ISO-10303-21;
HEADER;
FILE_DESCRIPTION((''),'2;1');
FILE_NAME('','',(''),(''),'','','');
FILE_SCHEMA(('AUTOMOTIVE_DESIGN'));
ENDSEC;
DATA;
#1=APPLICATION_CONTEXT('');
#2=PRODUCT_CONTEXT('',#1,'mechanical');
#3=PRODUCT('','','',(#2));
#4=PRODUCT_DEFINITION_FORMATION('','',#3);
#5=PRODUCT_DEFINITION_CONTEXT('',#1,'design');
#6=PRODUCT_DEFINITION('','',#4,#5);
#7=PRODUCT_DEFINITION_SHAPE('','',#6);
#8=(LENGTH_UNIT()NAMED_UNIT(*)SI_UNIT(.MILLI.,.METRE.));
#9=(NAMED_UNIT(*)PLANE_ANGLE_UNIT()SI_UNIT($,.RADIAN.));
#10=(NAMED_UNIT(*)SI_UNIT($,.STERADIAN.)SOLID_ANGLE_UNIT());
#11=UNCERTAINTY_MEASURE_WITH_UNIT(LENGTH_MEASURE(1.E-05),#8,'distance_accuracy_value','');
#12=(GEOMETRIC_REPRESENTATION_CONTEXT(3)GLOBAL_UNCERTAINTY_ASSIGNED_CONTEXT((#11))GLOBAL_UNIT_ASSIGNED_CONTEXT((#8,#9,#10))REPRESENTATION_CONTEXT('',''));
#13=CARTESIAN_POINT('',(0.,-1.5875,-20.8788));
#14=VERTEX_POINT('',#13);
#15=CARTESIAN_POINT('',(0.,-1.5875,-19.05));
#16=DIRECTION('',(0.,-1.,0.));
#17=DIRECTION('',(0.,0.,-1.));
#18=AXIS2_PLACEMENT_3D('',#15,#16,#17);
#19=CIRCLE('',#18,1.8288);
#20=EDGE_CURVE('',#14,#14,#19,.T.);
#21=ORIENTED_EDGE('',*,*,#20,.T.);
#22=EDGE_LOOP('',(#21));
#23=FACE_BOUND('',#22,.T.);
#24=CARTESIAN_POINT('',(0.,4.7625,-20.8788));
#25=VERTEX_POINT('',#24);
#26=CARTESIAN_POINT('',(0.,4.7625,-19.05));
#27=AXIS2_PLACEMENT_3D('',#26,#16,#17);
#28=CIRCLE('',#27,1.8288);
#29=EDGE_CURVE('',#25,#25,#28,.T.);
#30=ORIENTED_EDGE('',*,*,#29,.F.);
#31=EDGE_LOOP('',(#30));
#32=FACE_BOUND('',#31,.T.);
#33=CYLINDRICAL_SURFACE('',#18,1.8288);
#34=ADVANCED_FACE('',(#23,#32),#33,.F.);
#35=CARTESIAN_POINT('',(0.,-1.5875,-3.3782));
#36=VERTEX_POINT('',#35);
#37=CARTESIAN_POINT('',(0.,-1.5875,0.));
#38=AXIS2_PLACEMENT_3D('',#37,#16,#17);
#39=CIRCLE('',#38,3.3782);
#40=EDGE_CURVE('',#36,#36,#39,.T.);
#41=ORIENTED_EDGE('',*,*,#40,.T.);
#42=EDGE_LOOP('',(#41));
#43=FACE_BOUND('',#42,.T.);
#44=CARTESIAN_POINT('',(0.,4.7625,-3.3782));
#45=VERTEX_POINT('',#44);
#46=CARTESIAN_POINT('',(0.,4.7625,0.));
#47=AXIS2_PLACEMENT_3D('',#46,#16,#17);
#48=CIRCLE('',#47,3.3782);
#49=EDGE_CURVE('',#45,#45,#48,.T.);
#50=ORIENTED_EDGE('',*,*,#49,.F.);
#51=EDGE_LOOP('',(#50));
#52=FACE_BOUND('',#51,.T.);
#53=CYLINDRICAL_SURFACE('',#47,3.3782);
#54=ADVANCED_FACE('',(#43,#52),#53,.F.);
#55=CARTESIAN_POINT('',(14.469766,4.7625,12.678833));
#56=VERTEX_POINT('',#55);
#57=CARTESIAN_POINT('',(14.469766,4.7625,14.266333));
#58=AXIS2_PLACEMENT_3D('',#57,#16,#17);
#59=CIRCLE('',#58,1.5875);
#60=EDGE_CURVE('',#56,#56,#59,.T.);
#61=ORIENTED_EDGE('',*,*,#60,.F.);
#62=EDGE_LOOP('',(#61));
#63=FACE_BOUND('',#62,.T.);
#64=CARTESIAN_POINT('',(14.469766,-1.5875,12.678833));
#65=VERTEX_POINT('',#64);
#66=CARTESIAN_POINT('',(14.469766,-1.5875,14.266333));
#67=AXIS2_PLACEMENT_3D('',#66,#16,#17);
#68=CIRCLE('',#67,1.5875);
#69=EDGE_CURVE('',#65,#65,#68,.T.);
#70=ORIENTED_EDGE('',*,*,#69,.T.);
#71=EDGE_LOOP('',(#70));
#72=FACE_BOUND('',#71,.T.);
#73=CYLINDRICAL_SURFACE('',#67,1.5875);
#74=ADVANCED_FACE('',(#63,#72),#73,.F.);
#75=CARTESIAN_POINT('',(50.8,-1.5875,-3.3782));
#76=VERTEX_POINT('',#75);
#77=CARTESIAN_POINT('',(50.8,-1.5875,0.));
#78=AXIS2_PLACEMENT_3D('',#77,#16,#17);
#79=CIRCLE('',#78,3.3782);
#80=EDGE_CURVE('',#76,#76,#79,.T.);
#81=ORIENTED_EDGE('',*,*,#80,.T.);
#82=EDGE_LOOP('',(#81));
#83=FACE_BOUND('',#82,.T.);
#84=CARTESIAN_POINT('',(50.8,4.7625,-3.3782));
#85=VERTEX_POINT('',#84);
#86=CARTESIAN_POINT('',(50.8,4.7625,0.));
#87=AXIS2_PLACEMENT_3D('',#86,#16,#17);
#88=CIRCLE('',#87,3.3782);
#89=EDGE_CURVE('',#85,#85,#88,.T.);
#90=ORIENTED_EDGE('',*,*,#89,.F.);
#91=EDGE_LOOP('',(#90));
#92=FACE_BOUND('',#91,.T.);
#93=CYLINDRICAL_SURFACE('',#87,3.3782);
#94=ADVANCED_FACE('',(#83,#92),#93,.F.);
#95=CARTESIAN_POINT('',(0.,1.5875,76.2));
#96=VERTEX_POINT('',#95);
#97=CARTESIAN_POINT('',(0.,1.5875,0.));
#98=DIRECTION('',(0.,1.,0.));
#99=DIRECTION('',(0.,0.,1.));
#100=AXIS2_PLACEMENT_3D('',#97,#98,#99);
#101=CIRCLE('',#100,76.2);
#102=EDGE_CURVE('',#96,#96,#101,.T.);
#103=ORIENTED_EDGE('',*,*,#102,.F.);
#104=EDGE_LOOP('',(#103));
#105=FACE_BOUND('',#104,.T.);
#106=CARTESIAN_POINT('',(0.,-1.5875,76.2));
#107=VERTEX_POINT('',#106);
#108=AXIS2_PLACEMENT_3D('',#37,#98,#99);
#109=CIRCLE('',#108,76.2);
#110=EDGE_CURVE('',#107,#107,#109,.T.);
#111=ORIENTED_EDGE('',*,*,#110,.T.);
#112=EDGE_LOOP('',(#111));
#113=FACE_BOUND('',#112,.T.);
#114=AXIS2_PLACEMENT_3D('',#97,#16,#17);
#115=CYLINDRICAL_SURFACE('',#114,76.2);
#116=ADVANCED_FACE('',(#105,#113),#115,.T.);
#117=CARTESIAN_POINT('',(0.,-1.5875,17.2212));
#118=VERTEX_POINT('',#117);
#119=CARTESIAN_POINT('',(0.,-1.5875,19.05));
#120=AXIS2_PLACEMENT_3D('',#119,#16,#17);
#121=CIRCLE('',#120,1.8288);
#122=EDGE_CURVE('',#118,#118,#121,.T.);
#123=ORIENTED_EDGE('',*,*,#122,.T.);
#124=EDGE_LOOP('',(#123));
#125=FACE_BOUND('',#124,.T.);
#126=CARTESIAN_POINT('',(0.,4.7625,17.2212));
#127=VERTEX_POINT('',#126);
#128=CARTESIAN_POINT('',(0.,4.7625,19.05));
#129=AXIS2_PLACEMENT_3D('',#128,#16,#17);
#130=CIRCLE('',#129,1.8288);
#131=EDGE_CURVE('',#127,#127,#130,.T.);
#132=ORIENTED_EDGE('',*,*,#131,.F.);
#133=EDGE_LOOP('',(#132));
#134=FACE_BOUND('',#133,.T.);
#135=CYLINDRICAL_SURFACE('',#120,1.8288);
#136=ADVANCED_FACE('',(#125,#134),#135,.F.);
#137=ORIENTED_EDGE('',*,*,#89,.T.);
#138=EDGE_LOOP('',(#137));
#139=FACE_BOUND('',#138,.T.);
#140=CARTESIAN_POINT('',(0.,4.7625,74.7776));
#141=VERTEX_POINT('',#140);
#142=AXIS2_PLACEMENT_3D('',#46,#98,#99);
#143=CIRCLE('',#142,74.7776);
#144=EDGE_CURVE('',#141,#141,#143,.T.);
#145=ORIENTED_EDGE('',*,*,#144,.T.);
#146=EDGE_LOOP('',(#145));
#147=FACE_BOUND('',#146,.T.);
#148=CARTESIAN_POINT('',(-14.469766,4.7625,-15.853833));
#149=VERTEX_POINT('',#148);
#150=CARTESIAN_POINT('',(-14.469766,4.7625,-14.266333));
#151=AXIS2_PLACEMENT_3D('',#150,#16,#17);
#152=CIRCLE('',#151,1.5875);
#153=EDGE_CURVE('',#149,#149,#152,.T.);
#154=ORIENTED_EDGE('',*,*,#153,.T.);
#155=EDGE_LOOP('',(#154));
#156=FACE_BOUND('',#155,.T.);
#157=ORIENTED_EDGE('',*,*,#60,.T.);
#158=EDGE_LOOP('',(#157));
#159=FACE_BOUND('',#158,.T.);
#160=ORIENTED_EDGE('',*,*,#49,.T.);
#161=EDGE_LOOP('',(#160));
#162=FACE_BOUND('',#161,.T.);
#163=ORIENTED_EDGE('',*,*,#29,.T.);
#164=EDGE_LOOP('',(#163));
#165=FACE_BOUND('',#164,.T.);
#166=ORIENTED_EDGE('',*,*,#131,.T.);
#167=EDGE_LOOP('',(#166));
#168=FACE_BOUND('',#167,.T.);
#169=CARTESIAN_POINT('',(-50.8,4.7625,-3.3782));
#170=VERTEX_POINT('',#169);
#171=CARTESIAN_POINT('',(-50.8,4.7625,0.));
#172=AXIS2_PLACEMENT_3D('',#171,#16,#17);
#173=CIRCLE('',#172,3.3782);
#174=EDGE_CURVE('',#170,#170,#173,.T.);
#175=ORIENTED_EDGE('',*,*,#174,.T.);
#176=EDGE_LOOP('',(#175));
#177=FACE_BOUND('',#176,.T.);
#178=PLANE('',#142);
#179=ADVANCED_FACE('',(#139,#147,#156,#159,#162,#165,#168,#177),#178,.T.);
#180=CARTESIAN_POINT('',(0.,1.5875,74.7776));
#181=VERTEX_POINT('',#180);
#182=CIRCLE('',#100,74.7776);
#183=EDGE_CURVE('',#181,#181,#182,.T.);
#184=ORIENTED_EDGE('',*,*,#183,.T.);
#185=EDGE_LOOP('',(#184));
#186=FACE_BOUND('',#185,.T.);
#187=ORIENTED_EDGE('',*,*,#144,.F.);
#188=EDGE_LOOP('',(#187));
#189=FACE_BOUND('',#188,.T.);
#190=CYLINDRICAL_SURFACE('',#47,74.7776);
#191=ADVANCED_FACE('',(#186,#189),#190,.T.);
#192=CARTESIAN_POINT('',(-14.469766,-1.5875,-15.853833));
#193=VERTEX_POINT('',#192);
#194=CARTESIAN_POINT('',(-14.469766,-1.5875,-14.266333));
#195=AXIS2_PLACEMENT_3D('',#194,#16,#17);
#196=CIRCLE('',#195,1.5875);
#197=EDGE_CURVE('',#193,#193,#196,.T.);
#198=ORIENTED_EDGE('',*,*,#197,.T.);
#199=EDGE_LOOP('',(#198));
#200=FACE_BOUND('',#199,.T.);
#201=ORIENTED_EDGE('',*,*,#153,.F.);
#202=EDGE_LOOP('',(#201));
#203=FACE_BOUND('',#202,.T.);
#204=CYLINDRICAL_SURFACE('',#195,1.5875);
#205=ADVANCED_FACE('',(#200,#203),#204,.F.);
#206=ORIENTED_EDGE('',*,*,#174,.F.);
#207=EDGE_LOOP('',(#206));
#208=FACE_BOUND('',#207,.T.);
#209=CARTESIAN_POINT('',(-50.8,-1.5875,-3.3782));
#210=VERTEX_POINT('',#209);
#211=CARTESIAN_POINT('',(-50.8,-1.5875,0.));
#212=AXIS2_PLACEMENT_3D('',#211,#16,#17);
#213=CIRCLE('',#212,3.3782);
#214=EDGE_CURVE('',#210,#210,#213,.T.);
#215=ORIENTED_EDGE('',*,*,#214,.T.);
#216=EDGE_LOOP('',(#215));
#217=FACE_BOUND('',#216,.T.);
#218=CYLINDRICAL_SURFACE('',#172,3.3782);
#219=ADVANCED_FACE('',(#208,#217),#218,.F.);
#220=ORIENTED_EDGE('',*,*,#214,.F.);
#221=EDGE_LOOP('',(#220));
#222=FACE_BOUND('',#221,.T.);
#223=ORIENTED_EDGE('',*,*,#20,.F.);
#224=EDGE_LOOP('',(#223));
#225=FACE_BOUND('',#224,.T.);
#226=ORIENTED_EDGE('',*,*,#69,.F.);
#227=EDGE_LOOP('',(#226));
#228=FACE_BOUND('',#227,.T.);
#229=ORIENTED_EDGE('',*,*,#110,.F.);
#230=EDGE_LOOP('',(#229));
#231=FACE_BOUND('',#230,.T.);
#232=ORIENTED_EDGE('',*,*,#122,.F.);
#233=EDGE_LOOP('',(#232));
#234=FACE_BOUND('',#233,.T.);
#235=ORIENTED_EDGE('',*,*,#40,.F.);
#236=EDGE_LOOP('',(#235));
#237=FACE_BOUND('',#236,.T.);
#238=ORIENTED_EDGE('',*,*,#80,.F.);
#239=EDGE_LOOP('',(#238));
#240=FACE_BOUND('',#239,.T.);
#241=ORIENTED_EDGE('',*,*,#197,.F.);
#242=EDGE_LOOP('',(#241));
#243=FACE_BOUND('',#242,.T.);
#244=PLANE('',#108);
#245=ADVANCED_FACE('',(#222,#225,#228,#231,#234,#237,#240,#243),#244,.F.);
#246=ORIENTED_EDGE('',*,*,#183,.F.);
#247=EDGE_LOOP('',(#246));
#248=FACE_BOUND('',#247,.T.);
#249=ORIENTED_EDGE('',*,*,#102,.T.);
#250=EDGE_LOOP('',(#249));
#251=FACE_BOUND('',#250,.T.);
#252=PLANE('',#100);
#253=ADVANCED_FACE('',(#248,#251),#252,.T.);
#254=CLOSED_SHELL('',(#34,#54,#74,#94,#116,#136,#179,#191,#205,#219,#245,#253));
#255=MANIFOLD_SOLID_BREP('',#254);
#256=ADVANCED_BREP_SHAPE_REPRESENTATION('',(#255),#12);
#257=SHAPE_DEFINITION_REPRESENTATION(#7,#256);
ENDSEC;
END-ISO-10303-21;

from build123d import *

# Parameters (mm, degrees)
SKETCH1_R                    = 76.2
BOSS_EXTRUDE1_DEPTH          = 1.5875
SKETCH2_R                    = 74.7776
BOSS_EXTRUDE2_DEPTH          = 3.175
SKETCH3_R                    = 3.3782
CUT_EXTRUDE1_DEPTH           = 108.95
F_27_0_144_DIAMETER_HOLE1_D  = 3.6576
F_1_8_0_125_DIAMETER_HOLE1_D = 3.175


with BuildPart() as part:
    # Sketch1 → Boss-Extrude1 (new, symmetric)
    with BuildSketch(Plane(origin=(0, 0, 0), x_dir=(1, 0, 0), z_dir=(0, 1, 0))):
        with Locations(Location((0, 0, 0), (0, 0, 270))):
            Circle(SKETCH1_R)
    extrude(amount=BOSS_EXTRUDE1_DEPTH, both=True)

    # Sketch2 → Boss-Extrude2 (add)
    with BuildSketch(Plane(origin=(0, 1.5875, 0), x_dir=(1, 0, 0), z_dir=(0, 1, 0))):
        with Locations(Location((0, 0, 0), (0, 0, 270))):
            Circle(SKETCH2_R)
    extrude(amount=BOSS_EXTRUDE2_DEPTH)

    # Sketch3 → Cut-Extrude1 (cut, through all)
    with BuildSketch(Plane.XZ.offset(1.5875)):
        with Locations(Location((50.8, 0, 0), (0, 0, 270))):
            Circle(SKETCH3_R)
        with Locations(Location((-50.8, 0, 0), (0, 0, 270))):
            Circle(SKETCH3_R)
        with Locations(Location((0, 0, 0), (0, 0, 270))):
            Circle(SKETCH3_R)
    extrude(amount=-CUT_EXTRUDE1_DEPTH, mode=Mode.SUBTRACT)

    # #27 (0.144) Diameter Hole1 (through all)
    with Locations(Plane(origin=(0, -1.5875, 0), x_dir=(-1, 0, 0), z_dir=(0, -1, 0))):
        with Locations((0, 19.05), (0, -19.05)):
            Hole(F_27_0_144_DIAMETER_HOLE1_D / 2)

    # 1/8 (0.125) Diameter Hole1 (through all)
    with Locations(Plane(origin=(0, -1.5875, 0), x_dir=(-1, 0, 0), z_dir=(0, -1, 0))):
        with Locations((14.469766177, 14.266333333), (-14.469766177, -14.266333333)):
            Hole(F_1_8_0_125_DIAMETER_HOLE1_D / 2)


solid = part.part
